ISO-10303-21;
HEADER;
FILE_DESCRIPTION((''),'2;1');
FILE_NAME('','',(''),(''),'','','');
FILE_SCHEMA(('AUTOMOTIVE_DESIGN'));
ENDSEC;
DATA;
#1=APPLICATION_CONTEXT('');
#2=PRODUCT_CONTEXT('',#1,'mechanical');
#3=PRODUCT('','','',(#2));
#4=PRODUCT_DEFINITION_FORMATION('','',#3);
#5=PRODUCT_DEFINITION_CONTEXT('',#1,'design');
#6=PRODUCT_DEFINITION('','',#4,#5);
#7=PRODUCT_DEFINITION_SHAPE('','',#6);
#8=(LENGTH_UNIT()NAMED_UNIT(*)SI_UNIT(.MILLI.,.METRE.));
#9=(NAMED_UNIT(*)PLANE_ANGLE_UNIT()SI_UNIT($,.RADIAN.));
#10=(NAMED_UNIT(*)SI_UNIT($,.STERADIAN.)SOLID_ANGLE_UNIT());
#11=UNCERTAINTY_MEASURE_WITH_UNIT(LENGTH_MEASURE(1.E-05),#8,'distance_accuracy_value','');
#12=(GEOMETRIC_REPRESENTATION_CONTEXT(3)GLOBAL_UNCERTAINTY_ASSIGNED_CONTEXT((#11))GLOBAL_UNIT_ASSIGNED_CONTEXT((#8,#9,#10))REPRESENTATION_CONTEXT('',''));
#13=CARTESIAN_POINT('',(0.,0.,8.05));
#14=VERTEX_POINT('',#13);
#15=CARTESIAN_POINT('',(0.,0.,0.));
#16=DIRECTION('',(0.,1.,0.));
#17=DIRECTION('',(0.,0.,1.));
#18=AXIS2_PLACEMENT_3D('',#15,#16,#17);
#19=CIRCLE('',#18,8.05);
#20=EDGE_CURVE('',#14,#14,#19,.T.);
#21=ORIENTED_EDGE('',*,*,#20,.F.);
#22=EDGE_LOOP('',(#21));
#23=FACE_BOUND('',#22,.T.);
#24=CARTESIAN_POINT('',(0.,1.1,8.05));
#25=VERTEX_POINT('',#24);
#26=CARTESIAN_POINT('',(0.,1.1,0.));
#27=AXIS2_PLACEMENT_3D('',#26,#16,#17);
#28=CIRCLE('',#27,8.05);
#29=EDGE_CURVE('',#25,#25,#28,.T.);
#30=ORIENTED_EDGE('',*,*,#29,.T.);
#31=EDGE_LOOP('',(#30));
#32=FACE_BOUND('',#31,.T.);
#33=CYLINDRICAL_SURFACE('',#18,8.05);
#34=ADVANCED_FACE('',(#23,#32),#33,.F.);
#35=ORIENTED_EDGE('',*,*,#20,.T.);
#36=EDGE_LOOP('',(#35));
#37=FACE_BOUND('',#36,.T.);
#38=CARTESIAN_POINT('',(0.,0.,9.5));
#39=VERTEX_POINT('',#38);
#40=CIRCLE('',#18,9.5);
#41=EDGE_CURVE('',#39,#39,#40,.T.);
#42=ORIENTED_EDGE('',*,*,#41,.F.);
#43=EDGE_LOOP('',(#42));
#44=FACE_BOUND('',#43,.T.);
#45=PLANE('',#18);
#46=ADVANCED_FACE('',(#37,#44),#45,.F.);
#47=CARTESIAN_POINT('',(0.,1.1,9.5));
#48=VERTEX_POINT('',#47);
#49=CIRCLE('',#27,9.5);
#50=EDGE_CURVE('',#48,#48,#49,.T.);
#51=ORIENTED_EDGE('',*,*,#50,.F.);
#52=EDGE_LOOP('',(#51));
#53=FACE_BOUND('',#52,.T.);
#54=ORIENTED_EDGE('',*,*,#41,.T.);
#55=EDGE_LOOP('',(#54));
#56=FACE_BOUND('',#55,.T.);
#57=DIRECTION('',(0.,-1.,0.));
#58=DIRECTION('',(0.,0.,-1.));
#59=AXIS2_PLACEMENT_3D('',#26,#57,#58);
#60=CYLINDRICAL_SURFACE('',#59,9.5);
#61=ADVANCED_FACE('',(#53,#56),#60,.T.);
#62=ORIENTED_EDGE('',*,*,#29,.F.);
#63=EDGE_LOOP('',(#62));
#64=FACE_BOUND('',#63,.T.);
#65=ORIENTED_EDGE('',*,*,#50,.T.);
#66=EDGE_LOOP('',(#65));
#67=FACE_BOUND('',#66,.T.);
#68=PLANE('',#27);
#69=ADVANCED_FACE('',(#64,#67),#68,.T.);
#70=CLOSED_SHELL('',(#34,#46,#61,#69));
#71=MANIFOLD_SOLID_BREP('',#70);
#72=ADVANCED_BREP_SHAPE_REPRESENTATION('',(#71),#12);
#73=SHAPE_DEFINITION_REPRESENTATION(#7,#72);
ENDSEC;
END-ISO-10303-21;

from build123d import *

# Parameters (mm, degrees)
SKETCH1_R           = 9.5
BOSS_EXTRUDE1_DEPTH = 1.1
SKETCH2_R           = 8.05
CUT_EXTRUDE1_DEPTH  = 2.1


with BuildPart() as part:
    # Sketch1 → Boss-Extrude1 (new body)
    with BuildSketch(Plane(origin=(0, 0, 0), x_dir=(1, 0, 0), z_dir=(0, 1, 0))):
        Circle(SKETCH1_R)
    extrude(amount=BOSS_EXTRUDE1_DEPTH)

    # Sketch2 → Cut-Extrude1 (cut, through all)
    with BuildSketch(Plane(origin=(0, 1.1, 0), x_dir=(1, 0, 0), z_dir=(0, 1, 0))):
        Circle(SKETCH2_R)
    extrude(amount=-CUT_EXTRUDE1_DEPTH, mode=Mode.SUBTRACT)


solid = part.part
